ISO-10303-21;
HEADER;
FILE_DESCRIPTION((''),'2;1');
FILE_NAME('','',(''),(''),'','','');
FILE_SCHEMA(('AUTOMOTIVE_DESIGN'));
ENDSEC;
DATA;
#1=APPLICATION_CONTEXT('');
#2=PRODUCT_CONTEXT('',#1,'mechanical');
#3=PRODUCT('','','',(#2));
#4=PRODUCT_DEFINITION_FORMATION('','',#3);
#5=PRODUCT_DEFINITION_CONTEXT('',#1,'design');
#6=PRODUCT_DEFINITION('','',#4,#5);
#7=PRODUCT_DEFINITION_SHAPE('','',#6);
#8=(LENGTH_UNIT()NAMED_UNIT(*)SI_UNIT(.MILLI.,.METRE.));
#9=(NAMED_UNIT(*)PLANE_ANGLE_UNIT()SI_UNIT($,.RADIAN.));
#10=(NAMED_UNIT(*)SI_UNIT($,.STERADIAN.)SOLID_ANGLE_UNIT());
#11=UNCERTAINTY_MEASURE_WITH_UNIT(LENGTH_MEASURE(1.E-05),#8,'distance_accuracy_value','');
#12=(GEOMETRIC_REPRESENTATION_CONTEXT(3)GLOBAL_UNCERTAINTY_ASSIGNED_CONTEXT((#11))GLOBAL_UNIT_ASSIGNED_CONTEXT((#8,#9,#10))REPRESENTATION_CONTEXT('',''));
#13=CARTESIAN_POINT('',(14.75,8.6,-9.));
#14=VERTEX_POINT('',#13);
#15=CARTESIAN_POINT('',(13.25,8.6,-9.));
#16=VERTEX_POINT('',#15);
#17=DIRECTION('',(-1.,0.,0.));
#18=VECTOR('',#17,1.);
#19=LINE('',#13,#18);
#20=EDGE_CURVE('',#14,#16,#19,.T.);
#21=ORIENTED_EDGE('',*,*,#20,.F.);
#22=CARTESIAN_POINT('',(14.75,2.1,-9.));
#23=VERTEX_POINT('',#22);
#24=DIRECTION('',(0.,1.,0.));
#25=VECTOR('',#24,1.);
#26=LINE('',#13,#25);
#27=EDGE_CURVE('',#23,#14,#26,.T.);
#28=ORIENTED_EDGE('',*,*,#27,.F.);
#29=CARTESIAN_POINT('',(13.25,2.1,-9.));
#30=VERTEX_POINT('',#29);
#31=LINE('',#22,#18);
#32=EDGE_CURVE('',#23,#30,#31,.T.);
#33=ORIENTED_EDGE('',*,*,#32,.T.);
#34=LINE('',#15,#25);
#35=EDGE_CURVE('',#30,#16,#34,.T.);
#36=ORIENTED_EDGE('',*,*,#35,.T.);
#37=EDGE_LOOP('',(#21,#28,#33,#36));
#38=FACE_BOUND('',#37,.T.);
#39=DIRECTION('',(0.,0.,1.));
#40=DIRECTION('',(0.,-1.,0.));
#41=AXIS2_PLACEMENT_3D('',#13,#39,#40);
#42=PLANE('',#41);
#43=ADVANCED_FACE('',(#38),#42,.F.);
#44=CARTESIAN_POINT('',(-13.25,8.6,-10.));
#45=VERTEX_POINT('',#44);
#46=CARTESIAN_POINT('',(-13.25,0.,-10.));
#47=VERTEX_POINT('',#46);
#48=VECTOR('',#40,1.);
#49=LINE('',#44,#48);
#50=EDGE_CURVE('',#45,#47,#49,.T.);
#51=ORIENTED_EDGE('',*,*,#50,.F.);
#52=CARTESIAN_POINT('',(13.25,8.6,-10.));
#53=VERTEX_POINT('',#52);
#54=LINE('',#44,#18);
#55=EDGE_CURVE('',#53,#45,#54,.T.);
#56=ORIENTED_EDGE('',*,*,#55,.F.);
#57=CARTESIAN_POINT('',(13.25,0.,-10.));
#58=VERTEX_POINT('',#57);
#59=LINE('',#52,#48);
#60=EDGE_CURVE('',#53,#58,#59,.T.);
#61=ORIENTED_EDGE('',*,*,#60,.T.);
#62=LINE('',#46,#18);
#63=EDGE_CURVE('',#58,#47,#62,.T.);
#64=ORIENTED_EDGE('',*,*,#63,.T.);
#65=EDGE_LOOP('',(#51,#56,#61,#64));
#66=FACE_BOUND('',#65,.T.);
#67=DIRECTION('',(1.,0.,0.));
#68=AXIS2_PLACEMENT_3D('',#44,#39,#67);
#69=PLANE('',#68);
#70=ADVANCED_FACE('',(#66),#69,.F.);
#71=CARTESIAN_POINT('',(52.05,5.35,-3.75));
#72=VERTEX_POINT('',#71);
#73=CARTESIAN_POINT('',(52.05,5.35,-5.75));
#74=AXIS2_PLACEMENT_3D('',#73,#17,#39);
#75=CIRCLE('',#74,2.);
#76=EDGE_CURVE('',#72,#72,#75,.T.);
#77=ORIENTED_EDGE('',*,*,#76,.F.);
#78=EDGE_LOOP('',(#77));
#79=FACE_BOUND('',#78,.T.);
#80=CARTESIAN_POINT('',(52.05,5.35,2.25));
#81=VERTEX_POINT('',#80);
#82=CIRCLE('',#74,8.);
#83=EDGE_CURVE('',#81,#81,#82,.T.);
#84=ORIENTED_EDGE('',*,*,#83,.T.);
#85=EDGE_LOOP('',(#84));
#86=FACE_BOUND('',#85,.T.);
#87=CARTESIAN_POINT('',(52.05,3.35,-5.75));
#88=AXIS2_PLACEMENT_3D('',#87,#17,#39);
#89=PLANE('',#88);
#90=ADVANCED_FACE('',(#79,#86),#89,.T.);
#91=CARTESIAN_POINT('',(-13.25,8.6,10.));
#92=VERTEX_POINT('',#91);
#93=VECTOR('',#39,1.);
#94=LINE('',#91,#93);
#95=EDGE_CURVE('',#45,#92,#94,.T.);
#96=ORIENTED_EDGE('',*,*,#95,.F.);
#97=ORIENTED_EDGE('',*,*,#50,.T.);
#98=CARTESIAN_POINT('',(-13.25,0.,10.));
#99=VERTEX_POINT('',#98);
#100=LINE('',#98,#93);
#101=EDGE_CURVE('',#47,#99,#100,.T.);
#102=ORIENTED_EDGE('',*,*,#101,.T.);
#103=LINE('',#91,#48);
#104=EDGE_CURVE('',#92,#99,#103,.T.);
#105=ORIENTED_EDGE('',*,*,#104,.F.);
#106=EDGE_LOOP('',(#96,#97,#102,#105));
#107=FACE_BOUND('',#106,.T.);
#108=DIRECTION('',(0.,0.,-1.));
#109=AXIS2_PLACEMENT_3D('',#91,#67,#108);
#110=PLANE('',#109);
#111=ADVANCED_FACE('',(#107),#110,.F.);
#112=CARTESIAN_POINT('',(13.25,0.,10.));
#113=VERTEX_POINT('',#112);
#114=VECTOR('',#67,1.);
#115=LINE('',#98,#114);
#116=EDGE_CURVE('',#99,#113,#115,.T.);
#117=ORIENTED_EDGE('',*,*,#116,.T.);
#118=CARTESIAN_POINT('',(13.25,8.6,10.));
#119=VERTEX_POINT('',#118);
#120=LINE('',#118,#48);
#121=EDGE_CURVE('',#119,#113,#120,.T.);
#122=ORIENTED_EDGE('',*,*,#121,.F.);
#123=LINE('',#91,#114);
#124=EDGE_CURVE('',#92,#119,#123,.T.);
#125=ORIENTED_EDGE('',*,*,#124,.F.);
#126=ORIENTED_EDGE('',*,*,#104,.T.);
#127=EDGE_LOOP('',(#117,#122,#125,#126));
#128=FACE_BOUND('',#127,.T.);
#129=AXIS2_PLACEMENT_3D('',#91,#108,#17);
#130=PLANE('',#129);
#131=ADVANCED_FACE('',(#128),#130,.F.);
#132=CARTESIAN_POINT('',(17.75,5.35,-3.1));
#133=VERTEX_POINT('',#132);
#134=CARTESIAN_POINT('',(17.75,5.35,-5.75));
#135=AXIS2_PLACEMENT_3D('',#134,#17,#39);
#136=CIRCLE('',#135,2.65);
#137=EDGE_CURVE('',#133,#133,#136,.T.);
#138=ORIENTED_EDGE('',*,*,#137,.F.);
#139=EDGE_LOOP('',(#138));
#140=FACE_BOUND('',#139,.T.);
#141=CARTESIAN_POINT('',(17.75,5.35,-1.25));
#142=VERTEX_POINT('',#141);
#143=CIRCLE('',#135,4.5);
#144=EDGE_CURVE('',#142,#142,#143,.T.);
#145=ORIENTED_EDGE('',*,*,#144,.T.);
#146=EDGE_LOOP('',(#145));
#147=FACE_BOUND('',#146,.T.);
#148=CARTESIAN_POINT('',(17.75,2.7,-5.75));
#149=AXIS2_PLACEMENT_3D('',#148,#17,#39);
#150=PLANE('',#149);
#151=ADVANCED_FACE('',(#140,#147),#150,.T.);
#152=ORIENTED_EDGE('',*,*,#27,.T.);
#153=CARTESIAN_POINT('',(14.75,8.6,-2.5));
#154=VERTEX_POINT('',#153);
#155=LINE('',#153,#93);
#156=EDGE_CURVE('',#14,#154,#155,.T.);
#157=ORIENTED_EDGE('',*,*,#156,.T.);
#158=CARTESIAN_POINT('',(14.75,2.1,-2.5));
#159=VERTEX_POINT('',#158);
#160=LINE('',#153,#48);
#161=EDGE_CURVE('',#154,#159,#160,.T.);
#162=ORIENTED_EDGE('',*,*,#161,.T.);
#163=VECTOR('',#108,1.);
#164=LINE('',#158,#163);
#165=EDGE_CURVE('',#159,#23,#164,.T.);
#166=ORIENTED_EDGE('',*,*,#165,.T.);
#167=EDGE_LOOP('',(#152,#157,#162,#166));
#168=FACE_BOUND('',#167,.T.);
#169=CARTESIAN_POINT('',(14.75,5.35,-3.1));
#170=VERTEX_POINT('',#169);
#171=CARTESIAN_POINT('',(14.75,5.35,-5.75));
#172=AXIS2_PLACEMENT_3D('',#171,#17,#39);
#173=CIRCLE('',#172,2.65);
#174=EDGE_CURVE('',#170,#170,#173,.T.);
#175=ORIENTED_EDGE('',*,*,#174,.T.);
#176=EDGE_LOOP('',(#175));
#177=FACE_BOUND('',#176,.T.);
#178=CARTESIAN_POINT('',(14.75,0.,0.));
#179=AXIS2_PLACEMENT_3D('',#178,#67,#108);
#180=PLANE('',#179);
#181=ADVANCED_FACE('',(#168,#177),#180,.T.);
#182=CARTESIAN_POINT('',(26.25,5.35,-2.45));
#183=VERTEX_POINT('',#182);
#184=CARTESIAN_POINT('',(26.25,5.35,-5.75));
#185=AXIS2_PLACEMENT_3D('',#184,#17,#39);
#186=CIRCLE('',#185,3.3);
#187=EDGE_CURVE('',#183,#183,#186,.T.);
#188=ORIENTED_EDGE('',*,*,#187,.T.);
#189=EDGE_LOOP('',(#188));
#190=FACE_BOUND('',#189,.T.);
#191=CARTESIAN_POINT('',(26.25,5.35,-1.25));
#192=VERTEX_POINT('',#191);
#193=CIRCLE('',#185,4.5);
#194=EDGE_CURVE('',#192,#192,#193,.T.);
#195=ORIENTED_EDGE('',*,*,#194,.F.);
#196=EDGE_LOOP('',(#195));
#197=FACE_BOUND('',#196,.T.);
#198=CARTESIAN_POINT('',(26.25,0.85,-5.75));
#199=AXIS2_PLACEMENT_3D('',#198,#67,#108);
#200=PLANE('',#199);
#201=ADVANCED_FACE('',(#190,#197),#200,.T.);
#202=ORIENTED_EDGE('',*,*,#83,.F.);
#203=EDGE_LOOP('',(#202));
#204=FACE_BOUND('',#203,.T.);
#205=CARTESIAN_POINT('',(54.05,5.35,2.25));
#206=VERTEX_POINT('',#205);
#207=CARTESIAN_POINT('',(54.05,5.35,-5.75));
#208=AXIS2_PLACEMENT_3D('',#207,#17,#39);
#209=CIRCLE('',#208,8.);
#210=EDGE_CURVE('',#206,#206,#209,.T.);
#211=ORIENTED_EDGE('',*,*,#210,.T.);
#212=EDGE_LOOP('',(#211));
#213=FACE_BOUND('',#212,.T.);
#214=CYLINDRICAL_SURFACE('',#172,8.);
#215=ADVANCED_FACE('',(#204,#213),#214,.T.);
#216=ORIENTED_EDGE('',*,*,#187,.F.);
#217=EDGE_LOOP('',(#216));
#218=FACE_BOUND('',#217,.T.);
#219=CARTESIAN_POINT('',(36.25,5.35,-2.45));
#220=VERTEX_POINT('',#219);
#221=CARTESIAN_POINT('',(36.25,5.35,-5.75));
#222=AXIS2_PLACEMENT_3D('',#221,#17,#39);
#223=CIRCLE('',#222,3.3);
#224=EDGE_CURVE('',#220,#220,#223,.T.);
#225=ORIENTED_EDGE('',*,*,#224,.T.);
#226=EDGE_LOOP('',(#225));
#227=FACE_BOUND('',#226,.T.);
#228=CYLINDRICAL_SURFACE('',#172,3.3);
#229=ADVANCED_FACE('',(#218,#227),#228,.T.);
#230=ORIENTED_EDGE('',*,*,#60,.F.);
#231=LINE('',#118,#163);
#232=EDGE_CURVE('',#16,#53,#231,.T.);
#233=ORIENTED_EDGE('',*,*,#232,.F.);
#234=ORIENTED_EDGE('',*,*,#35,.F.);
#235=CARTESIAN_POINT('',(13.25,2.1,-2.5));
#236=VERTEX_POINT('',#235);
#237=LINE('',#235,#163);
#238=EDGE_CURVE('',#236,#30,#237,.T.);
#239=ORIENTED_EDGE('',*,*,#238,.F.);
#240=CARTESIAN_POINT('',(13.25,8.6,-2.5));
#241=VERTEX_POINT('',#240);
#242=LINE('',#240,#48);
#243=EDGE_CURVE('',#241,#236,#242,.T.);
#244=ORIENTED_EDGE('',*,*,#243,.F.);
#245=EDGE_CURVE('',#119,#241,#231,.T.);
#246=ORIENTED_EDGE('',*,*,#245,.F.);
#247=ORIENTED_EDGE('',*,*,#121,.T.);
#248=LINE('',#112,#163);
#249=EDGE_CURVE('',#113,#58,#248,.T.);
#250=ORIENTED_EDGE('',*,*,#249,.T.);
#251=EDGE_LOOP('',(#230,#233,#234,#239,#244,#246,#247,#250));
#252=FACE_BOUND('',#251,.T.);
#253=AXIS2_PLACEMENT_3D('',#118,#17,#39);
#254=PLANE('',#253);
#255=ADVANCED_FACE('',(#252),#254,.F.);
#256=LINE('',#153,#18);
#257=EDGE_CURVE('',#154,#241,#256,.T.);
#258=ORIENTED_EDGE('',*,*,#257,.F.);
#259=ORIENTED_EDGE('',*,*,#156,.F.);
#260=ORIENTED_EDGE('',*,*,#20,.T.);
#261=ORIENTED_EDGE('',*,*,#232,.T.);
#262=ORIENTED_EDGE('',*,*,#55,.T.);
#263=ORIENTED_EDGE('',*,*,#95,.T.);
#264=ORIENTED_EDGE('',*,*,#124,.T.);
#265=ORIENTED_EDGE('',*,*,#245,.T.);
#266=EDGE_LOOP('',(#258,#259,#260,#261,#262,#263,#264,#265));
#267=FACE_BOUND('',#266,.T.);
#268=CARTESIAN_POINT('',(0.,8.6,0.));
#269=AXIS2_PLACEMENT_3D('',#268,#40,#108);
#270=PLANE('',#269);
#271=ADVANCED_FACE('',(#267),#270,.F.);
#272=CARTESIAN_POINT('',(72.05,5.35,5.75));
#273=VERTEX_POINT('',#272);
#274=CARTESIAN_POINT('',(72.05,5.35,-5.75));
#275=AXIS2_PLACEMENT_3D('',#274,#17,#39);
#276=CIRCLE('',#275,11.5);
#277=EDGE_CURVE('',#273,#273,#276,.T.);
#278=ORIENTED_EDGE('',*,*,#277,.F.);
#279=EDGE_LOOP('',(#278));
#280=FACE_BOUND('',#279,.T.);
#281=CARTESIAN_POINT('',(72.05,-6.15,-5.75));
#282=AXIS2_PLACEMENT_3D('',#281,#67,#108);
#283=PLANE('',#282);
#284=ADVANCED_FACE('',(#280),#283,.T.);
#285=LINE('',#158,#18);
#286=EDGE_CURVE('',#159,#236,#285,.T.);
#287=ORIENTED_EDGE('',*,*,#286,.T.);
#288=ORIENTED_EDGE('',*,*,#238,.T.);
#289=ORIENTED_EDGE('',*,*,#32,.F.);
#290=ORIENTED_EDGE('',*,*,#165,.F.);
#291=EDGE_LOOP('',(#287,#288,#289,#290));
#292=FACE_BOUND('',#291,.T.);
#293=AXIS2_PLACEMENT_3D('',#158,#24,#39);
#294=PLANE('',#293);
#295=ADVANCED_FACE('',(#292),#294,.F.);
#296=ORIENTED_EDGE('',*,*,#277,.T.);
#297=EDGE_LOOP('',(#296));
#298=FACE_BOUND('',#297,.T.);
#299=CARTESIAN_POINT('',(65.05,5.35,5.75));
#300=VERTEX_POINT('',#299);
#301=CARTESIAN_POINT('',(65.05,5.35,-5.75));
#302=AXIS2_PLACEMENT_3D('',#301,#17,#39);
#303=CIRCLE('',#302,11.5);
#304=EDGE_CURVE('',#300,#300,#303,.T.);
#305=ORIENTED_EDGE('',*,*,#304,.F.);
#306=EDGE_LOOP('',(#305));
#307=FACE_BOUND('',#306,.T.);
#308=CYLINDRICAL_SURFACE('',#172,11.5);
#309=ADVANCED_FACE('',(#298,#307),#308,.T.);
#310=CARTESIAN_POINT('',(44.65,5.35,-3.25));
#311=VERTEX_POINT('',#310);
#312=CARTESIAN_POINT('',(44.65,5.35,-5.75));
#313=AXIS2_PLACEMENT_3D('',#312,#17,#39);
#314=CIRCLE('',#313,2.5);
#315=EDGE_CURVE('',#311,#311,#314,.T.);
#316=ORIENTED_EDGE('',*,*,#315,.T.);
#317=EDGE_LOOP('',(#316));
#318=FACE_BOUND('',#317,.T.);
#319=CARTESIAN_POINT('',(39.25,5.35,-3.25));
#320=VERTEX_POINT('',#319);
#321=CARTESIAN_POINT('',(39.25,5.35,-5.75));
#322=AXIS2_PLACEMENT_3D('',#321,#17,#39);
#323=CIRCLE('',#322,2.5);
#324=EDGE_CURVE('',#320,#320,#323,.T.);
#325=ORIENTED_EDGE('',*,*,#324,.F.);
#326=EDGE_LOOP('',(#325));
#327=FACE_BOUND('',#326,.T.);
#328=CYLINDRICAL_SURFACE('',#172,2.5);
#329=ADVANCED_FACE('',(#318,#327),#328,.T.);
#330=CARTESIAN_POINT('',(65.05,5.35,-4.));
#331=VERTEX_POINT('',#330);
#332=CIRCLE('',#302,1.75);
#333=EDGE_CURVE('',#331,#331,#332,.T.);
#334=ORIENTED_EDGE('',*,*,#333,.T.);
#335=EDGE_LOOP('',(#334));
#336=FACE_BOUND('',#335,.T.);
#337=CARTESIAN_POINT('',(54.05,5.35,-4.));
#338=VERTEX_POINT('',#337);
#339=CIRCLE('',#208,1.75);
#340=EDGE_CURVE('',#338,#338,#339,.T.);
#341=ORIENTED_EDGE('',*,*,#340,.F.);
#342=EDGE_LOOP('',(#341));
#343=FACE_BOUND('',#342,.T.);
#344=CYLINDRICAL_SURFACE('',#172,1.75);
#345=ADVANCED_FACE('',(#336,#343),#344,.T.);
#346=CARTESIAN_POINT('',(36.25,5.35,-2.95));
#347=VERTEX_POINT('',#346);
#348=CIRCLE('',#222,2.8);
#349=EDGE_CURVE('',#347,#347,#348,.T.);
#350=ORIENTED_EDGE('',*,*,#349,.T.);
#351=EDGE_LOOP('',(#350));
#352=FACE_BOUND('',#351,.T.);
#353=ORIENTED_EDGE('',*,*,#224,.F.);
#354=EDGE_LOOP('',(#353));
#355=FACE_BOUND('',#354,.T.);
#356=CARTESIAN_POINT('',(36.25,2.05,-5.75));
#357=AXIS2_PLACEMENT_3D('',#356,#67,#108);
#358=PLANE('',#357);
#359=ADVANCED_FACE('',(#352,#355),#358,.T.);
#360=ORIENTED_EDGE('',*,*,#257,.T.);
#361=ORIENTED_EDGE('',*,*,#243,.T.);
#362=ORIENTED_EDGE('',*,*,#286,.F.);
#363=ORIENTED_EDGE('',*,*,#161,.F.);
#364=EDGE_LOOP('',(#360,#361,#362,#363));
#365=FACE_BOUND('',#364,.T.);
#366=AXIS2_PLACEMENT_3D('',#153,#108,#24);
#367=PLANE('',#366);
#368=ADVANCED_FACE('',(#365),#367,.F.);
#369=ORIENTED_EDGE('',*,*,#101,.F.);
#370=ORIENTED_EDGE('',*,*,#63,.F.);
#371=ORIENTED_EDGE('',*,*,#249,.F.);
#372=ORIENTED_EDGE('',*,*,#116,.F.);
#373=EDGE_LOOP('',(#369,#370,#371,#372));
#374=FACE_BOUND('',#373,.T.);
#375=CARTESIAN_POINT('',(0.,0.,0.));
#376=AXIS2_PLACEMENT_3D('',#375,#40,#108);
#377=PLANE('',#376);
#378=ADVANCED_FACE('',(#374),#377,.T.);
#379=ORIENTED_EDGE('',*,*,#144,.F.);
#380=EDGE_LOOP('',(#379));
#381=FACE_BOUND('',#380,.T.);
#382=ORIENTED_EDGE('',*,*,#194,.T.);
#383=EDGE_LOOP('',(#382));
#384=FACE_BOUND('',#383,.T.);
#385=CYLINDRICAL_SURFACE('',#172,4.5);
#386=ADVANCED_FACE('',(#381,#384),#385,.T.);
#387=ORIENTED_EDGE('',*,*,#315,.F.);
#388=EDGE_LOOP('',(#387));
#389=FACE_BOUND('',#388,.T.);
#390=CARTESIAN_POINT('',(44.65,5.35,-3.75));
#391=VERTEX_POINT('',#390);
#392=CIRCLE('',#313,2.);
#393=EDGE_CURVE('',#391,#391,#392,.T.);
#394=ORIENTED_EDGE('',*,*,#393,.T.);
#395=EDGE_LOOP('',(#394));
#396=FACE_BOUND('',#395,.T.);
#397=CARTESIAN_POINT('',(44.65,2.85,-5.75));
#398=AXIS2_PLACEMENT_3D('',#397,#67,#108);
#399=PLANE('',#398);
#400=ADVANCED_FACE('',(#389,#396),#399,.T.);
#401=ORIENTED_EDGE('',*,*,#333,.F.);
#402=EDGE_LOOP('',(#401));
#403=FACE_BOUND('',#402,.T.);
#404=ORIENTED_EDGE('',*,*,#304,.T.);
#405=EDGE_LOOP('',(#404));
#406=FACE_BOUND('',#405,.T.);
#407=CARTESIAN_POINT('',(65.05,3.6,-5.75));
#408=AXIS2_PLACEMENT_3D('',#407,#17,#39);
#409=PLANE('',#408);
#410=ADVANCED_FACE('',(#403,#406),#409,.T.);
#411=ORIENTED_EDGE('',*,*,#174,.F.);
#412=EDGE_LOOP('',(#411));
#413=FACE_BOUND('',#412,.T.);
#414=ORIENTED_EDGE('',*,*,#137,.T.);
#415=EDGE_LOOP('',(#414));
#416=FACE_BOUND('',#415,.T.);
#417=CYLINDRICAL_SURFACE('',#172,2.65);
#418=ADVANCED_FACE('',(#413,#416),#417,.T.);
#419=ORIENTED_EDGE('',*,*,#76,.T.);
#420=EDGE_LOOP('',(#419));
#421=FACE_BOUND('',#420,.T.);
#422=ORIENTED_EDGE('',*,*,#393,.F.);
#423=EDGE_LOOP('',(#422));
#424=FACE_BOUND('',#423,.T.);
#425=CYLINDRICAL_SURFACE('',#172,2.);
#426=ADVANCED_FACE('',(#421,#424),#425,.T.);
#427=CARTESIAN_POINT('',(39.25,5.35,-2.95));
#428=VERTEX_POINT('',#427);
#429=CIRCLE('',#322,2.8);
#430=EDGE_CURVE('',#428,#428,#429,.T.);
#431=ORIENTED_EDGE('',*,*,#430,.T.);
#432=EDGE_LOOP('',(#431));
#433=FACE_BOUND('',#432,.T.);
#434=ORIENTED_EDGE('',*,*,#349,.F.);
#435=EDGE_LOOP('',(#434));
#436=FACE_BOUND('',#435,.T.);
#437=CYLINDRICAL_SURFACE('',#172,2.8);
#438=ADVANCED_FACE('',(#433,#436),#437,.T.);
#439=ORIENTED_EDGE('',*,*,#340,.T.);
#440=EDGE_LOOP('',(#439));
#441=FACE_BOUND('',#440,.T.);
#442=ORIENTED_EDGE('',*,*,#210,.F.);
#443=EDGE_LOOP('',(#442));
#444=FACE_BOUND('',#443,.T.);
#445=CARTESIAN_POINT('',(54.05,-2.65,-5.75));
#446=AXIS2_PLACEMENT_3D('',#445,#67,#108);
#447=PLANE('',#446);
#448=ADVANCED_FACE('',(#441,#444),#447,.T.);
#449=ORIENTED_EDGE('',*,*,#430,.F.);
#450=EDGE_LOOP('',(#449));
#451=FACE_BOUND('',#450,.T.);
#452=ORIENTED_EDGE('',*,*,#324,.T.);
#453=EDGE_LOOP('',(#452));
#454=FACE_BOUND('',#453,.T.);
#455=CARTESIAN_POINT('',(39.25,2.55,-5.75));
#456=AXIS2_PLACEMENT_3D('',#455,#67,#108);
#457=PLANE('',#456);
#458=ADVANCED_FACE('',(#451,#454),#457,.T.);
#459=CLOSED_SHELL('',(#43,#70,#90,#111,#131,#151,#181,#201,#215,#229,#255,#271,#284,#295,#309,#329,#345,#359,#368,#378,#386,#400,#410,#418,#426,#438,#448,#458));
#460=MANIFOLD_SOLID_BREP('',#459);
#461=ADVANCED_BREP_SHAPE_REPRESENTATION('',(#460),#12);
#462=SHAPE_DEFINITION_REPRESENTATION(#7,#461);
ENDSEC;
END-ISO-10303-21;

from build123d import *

# Parameters (mm, degrees)
SKETCH1_W           = 26.5
SKETCH1_H           = 20
BOSS_EXTRUDE1_DEPTH = 8.6
SKETCH2_W           = 6.5
SKETCH2_H           = 6.5
BOSS_EXTRUDE2_DEPTH = 1.5


with BuildPart() as part:
    # Sketch1 → Boss-Extrude1 (new body)
    with BuildSketch(Plane(origin=(0, 0, 0), x_dir=(1, 0, 0), z_dir=(0, 1, 0))):
        Rectangle(SKETCH1_W, SKETCH1_H)
    extrude(amount=BOSS_EXTRUDE1_DEPTH)

    # Sketch2 → Boss-Extrude2 (add)
    with BuildSketch(Plane(origin=(13.25, 0, 0), x_dir=(0, 0, -1), z_dir=(1, 0, 0))):
        with Locations((5.75, 5.35)):
            Rectangle(SKETCH2_W, SKETCH2_H)
    extrude(amount=BOSS_EXTRUDE2_DEPTH)

    # Sketch6 → Revolve1 (revolve)
    with BuildSketch(Plane.XY.offset(-5.75), mode=Mode.PRIVATE) as revolve1_sk:
        Polygon((14.75, 5.35), (14.75, 2.7), (17.75, 2.7), (17.75, 0.85), (26.25, 0.85), (26.25, 2.05), (36.25, 2.05), (36.25, 2.55), (39.25, 2.55), (39.25, 2.85), (44.65, 2.85), (44.65, 3.35), (52.05, 3.35), (52.05, -2.65), (54.05, -2.65), (54.05, 3.6), (65.05, 3.6), (65.05, -6.15), (72.05, -6.15), (72.05, 5.35), align=None)
    revolve(revolve1_sk.sketch.rotate(Axis((14.75, 5.35, -5.75), (1, 0, 0)), 270), axis=Axis((14.75, 5.35, -5.75), (1, 0, 0)))


solid = part.part
